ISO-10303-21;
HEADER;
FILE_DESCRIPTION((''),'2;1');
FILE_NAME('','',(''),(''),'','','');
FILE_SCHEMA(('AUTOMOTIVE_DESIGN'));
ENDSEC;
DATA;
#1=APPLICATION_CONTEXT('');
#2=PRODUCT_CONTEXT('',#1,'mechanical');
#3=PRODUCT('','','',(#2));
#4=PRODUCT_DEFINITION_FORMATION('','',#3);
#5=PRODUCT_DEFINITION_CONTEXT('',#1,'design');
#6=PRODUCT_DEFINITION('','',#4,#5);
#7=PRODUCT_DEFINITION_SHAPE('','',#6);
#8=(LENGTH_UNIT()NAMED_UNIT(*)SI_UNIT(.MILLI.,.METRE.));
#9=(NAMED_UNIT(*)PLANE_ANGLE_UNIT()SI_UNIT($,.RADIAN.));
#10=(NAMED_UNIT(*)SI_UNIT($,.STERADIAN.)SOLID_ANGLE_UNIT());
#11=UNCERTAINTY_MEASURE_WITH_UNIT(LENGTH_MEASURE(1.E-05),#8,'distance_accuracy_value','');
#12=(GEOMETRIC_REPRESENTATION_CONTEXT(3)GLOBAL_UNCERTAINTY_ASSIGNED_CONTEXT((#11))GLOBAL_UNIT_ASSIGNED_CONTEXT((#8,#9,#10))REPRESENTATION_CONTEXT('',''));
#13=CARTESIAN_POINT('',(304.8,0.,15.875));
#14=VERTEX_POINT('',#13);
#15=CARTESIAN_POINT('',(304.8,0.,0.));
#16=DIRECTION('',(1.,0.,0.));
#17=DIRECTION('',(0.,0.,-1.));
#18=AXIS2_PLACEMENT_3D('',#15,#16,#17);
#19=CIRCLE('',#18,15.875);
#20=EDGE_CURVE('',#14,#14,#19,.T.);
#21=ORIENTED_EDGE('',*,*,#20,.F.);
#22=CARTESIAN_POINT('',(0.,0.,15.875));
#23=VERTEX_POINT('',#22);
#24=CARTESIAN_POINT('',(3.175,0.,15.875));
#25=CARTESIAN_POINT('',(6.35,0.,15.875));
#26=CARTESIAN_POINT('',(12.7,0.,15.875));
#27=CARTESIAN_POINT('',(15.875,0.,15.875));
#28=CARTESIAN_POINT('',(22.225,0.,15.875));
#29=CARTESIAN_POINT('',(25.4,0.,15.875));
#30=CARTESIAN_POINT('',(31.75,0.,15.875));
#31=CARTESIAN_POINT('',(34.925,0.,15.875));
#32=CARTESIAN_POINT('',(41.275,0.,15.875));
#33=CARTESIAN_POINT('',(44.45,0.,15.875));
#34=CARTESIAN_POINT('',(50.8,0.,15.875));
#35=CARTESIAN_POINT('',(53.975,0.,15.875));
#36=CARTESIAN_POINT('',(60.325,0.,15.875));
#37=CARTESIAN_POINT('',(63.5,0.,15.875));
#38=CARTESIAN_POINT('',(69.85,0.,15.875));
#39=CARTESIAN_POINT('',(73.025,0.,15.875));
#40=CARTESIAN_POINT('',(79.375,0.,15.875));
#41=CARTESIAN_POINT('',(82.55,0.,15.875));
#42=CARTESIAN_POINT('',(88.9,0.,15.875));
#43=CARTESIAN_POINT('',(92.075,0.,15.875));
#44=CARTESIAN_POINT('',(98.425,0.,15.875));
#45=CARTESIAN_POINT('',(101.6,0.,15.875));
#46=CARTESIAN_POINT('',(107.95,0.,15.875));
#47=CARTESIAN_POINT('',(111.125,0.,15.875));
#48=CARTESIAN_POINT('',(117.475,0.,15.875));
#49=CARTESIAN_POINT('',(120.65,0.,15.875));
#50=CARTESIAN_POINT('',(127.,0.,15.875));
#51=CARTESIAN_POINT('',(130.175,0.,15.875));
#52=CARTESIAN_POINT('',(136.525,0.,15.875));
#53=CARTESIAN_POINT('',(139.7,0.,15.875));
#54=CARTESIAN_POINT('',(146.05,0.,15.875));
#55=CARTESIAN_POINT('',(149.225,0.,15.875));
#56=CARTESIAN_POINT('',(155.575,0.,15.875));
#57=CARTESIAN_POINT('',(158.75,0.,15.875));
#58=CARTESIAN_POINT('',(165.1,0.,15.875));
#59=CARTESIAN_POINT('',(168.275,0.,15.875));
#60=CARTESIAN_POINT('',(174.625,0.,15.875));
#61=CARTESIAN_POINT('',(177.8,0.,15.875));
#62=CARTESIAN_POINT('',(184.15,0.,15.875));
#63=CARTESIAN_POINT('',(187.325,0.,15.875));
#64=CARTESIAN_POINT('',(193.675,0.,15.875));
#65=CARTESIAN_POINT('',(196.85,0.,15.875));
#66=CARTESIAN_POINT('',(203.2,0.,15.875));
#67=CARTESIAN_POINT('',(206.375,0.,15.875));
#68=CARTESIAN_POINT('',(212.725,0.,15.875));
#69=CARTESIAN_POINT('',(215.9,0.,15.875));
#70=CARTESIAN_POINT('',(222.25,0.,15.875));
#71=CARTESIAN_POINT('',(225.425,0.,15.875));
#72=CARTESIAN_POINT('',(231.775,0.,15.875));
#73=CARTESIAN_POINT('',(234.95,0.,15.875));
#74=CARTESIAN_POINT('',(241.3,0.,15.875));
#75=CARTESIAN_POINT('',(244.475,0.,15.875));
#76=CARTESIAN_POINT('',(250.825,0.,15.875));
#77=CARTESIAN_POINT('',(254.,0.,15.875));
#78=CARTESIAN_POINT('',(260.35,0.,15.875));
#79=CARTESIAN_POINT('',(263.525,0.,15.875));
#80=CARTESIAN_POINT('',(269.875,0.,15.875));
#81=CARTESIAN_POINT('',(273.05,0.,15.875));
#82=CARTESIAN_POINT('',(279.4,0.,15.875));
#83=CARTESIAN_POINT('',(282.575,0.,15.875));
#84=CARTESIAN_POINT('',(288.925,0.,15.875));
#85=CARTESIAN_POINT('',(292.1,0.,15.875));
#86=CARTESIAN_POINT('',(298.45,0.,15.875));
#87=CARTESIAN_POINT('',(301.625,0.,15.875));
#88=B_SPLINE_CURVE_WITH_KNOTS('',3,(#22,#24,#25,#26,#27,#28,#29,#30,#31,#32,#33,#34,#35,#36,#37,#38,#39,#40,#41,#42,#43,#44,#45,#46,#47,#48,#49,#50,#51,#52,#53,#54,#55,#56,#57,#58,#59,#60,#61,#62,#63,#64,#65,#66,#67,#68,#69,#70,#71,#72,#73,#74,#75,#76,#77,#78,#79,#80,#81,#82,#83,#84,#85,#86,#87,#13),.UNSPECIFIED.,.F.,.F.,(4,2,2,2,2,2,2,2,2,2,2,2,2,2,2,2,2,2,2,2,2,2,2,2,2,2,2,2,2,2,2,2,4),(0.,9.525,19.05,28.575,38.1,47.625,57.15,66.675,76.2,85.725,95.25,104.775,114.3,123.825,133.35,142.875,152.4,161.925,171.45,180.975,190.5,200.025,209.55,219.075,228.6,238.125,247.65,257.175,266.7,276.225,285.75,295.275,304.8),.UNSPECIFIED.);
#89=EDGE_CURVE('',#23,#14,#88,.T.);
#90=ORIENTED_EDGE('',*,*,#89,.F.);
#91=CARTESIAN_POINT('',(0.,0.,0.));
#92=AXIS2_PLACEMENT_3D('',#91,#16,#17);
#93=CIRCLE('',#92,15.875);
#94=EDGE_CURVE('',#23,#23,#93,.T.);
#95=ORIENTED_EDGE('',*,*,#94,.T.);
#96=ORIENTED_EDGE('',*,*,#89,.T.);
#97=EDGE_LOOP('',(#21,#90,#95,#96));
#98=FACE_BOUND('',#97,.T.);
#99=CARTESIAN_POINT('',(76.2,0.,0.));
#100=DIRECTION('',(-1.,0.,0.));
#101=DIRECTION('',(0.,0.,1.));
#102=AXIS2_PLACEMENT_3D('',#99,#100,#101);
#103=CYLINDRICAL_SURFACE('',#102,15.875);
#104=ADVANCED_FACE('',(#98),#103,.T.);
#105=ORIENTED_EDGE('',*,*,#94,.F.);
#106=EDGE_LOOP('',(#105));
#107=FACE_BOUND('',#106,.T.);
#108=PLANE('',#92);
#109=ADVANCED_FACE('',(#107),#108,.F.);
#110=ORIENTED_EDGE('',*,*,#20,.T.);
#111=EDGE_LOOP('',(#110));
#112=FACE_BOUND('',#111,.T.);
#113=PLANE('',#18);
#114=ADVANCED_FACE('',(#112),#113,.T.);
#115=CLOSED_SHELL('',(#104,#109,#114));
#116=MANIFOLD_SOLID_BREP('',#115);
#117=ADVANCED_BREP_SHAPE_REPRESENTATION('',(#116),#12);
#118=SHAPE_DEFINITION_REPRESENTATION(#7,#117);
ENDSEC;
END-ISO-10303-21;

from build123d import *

# Parameters (mm, degrees)
SKETCH2_R           = 15.875
BOSS_EXTRUDE1_DEPTH = 76.2
SKETCH3_R           = 15.875
BOSS_EXTRUDE2_DEPTH = 228.6


with BuildPart() as part:
    # Sketch2 → Boss-Extrude1 (new body)
    with BuildSketch(Plane(origin=(0, 0, 0), x_dir=(0, 0, -1), z_dir=(1, 0, 0))):
        with Locations(Location((0, 0, 0), (0, 0, 180))):
            Circle(SKETCH2_R)
    extrude(amount=BOSS_EXTRUDE1_DEPTH)

    # Sketch3 → Boss-Extrude2 (add)
    with BuildSketch(Plane(origin=(76.2, 0, 0), x_dir=(0, 0, -1), z_dir=(1, 0, 0))):
        with Locations(Location((0, 0, 0), (0, 0, 180))):
            Circle(SKETCH3_R)
    extrude(amount=BOSS_EXTRUDE2_DEPTH)


solid = part.part
